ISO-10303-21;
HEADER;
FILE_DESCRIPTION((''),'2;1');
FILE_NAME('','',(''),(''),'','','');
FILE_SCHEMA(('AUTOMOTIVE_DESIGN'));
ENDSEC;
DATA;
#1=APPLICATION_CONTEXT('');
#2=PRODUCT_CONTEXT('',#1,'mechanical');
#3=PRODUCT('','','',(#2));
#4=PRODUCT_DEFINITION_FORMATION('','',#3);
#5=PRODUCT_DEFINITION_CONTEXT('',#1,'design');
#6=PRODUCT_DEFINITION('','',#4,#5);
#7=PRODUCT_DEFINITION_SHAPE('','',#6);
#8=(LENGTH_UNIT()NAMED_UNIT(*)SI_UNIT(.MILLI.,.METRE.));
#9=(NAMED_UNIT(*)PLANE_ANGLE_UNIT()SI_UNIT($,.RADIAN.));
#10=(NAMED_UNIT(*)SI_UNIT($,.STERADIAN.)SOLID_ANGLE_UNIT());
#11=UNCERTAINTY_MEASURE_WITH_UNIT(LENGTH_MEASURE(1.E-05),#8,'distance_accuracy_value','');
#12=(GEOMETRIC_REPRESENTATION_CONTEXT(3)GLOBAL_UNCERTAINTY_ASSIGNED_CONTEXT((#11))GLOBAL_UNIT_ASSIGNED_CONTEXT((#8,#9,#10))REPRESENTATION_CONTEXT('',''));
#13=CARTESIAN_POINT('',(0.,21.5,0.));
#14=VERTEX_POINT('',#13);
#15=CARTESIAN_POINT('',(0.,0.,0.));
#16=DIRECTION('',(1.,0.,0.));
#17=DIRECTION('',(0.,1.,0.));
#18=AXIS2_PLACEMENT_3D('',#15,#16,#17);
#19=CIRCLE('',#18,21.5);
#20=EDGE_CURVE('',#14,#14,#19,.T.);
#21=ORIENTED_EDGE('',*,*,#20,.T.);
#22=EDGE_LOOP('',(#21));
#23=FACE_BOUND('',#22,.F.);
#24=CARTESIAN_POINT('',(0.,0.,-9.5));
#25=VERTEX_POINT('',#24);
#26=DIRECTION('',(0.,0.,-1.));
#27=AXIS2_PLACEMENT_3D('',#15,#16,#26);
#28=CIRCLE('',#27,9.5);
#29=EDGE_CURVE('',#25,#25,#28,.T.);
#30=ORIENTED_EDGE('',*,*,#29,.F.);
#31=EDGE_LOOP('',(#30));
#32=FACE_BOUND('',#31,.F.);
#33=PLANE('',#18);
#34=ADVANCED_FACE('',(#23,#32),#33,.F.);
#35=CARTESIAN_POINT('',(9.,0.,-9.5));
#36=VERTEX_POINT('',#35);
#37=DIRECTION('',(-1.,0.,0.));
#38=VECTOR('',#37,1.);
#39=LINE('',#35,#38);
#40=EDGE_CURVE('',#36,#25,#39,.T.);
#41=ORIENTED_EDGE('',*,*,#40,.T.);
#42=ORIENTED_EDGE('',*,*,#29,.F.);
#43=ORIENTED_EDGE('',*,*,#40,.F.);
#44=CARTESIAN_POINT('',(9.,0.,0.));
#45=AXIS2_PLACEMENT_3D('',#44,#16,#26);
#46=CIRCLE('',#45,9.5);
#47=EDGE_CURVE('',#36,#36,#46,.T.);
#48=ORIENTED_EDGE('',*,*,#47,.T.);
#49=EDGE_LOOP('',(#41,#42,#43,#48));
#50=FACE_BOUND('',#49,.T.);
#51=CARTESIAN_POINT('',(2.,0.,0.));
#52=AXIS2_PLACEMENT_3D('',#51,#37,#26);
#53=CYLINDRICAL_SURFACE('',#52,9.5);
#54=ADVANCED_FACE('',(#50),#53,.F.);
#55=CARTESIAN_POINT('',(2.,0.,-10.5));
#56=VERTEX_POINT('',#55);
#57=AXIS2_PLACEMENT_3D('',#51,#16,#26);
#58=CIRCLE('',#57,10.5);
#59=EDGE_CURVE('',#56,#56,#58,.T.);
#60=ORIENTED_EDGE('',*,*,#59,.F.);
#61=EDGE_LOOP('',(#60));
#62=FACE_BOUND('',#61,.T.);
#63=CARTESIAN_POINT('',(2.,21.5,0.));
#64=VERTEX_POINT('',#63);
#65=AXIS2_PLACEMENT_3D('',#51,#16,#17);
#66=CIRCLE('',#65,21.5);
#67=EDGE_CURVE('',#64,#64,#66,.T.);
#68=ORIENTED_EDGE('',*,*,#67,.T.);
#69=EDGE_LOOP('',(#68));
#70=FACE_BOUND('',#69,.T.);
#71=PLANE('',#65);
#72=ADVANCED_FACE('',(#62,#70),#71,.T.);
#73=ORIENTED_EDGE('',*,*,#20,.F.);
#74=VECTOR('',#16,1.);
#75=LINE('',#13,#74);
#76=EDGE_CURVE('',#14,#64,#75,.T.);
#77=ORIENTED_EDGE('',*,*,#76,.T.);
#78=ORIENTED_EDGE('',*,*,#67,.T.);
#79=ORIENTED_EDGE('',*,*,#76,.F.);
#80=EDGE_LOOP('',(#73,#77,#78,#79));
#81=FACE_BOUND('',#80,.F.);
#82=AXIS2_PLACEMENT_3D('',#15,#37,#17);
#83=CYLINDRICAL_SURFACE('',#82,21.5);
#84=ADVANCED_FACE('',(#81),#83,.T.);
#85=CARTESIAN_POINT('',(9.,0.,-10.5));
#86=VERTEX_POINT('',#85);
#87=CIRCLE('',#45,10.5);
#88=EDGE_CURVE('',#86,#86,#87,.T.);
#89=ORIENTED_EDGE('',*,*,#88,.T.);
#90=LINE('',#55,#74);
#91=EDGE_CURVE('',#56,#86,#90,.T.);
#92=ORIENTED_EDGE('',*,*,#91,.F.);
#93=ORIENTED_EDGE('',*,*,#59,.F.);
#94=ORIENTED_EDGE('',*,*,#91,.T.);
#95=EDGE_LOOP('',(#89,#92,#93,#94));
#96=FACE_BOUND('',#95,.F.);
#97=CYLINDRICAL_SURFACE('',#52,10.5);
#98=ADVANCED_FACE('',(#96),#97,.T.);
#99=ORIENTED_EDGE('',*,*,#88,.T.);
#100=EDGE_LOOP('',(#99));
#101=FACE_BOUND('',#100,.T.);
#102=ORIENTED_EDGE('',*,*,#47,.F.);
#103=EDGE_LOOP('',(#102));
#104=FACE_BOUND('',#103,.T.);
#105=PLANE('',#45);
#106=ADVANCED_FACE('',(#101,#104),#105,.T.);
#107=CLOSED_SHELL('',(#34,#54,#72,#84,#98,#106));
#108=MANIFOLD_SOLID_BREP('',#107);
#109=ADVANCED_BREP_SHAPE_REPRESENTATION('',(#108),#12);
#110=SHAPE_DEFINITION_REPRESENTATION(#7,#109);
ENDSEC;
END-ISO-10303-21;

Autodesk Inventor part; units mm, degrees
ref_plane "YZ Plane" through (0, 0, 0) normal (1, 0, 0) x (0, 1, 0)
ref_plane "XZ Plane" through (0, 0, 0) normal (0, 1, 0) x (-1, 0, 0)
ref_plane "XY Plane" through (0, 0, 0) normal (0, 0, 1) x (1, 0, 0)
sketch "Sketch2" plane through (0, 0, 0) normal (1, 0, 0) x (0, 1, 0)
  circle A0 centre (0, 0) radius 21.5
  dimension "d3" = 43
extrude "Extrusion1" add sketch "Sketch2" along normal blind 2
sketch "Sketch3" plane through (2, 0, 0) normal (1, 0, 0) x (0, 0, -1)
  circle A0 centre (0, 0) radius 21.5 projected
  circle A1 centre (0, 0) radius 9.5
  dimension "d6" = 19
extrude "Extrusion2" cut sketch "Sketch3" against normal blind 2 contours A1
sketch "Sketch4" plane through (2, 0, 0) normal (1, 0, 0) x (0, 0, -1)
  circle A0 centre (0, 0) radius 9.5 projected
  circle A1 centre (0, 0) radius 21.5 projected
  circle A2 centre (0, 0) radius 10.5
  dimension "d9" = 21
extrude "Extrusion3" add sketch "Sketch4" along normal blind 7 contours A2
properties part number "holeCover"
